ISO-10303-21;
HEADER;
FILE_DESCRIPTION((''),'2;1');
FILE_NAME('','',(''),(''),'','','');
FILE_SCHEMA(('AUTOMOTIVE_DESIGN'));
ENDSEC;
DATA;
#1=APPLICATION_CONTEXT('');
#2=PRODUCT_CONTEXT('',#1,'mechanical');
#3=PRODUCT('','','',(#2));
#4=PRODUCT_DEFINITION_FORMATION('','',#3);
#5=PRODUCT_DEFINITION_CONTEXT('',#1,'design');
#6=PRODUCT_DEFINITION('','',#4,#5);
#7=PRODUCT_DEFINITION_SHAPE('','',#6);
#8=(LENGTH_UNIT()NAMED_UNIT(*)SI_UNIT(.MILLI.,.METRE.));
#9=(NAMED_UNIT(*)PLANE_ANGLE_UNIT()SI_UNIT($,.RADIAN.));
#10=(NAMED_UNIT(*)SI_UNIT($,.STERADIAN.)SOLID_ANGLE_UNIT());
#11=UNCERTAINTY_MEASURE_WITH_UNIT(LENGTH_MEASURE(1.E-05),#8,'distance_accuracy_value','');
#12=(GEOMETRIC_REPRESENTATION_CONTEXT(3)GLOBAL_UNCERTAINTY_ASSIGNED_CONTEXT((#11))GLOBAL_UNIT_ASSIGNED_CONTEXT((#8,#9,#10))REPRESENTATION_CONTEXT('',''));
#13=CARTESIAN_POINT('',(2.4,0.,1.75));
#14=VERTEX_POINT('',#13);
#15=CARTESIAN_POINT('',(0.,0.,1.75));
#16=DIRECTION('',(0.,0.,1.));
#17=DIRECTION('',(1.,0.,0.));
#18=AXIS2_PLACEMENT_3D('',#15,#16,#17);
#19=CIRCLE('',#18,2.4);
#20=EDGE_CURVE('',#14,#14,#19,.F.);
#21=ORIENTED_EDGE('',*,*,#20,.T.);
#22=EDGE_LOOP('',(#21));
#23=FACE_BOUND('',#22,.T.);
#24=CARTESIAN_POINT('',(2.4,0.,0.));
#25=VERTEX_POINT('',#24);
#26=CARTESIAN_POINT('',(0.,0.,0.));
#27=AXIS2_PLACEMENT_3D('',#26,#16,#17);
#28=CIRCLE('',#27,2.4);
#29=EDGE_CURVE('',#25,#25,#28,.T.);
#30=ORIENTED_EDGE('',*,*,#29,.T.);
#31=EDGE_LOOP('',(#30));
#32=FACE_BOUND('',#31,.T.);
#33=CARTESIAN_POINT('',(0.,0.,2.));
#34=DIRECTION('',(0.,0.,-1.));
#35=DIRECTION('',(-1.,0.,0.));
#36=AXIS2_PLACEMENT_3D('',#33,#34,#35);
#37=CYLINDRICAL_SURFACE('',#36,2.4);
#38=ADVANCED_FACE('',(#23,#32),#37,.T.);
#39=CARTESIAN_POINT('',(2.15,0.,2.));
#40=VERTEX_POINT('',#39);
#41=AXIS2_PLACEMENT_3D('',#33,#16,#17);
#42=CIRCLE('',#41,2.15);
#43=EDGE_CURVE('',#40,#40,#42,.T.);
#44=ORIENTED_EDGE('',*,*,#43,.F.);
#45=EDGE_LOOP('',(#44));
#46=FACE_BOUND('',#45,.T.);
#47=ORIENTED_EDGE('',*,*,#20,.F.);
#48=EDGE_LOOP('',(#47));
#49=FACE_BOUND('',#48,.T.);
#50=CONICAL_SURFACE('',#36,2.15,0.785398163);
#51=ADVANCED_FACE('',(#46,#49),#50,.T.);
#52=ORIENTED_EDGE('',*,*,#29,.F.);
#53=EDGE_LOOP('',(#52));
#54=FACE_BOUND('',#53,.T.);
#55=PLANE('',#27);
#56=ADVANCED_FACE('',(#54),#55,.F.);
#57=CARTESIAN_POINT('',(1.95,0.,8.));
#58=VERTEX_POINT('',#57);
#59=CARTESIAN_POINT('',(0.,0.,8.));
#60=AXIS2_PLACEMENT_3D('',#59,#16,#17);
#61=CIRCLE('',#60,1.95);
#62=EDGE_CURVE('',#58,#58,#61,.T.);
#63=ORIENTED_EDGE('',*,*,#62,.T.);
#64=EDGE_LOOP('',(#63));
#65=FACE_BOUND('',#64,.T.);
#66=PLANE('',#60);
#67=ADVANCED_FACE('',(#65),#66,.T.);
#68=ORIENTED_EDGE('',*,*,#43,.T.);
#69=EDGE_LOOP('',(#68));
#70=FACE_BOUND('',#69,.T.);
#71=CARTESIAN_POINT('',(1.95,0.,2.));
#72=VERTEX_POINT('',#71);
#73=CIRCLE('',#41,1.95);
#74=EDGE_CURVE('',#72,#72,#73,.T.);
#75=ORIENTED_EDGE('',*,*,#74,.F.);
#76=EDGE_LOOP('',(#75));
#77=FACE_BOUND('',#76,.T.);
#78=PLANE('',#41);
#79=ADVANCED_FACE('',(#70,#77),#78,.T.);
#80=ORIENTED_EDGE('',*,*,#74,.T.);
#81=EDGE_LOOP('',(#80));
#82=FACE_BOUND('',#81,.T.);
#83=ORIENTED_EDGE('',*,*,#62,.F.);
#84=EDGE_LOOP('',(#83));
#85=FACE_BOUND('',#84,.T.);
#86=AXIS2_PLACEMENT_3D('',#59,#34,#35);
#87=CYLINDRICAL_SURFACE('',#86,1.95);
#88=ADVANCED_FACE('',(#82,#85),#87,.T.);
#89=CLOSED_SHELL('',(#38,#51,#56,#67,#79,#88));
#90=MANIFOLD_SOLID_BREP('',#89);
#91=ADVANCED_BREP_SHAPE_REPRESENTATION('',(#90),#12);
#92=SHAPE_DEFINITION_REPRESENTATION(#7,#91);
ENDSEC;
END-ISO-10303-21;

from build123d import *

# Parameters (mm, degrees)
SKETCH_1_R      = 2.4
EXTRUDE_1_DEPTH = 2
SKETCH_2_R      = 1.95
EXTRUDE_2_DEPTH = 6
CHAMFER_1_SIZE  = 0.25


with BuildPart() as part:
    # 草图1 → 拉伸1 (new body)
    with BuildSketch(Plane.XY):
        Circle(SKETCH_1_R)
    extrude(amount=EXTRUDE_1_DEPTH)

    # 草图2 → 拉伸2 (add)
    with BuildSketch(Plane.XY.offset(2)):
        Circle(SKETCH_2_R)
    extrude(amount=EXTRUDE_2_DEPTH)

    # 倒角1
    chamfer_1_edges = [part.edges().sort_by_distance(p)[0] for p in [
        (-2.4, 0, 2),
    ]]
    chamfer(chamfer_1_edges, length=CHAMFER_1_SIZE)


solid = part.part
